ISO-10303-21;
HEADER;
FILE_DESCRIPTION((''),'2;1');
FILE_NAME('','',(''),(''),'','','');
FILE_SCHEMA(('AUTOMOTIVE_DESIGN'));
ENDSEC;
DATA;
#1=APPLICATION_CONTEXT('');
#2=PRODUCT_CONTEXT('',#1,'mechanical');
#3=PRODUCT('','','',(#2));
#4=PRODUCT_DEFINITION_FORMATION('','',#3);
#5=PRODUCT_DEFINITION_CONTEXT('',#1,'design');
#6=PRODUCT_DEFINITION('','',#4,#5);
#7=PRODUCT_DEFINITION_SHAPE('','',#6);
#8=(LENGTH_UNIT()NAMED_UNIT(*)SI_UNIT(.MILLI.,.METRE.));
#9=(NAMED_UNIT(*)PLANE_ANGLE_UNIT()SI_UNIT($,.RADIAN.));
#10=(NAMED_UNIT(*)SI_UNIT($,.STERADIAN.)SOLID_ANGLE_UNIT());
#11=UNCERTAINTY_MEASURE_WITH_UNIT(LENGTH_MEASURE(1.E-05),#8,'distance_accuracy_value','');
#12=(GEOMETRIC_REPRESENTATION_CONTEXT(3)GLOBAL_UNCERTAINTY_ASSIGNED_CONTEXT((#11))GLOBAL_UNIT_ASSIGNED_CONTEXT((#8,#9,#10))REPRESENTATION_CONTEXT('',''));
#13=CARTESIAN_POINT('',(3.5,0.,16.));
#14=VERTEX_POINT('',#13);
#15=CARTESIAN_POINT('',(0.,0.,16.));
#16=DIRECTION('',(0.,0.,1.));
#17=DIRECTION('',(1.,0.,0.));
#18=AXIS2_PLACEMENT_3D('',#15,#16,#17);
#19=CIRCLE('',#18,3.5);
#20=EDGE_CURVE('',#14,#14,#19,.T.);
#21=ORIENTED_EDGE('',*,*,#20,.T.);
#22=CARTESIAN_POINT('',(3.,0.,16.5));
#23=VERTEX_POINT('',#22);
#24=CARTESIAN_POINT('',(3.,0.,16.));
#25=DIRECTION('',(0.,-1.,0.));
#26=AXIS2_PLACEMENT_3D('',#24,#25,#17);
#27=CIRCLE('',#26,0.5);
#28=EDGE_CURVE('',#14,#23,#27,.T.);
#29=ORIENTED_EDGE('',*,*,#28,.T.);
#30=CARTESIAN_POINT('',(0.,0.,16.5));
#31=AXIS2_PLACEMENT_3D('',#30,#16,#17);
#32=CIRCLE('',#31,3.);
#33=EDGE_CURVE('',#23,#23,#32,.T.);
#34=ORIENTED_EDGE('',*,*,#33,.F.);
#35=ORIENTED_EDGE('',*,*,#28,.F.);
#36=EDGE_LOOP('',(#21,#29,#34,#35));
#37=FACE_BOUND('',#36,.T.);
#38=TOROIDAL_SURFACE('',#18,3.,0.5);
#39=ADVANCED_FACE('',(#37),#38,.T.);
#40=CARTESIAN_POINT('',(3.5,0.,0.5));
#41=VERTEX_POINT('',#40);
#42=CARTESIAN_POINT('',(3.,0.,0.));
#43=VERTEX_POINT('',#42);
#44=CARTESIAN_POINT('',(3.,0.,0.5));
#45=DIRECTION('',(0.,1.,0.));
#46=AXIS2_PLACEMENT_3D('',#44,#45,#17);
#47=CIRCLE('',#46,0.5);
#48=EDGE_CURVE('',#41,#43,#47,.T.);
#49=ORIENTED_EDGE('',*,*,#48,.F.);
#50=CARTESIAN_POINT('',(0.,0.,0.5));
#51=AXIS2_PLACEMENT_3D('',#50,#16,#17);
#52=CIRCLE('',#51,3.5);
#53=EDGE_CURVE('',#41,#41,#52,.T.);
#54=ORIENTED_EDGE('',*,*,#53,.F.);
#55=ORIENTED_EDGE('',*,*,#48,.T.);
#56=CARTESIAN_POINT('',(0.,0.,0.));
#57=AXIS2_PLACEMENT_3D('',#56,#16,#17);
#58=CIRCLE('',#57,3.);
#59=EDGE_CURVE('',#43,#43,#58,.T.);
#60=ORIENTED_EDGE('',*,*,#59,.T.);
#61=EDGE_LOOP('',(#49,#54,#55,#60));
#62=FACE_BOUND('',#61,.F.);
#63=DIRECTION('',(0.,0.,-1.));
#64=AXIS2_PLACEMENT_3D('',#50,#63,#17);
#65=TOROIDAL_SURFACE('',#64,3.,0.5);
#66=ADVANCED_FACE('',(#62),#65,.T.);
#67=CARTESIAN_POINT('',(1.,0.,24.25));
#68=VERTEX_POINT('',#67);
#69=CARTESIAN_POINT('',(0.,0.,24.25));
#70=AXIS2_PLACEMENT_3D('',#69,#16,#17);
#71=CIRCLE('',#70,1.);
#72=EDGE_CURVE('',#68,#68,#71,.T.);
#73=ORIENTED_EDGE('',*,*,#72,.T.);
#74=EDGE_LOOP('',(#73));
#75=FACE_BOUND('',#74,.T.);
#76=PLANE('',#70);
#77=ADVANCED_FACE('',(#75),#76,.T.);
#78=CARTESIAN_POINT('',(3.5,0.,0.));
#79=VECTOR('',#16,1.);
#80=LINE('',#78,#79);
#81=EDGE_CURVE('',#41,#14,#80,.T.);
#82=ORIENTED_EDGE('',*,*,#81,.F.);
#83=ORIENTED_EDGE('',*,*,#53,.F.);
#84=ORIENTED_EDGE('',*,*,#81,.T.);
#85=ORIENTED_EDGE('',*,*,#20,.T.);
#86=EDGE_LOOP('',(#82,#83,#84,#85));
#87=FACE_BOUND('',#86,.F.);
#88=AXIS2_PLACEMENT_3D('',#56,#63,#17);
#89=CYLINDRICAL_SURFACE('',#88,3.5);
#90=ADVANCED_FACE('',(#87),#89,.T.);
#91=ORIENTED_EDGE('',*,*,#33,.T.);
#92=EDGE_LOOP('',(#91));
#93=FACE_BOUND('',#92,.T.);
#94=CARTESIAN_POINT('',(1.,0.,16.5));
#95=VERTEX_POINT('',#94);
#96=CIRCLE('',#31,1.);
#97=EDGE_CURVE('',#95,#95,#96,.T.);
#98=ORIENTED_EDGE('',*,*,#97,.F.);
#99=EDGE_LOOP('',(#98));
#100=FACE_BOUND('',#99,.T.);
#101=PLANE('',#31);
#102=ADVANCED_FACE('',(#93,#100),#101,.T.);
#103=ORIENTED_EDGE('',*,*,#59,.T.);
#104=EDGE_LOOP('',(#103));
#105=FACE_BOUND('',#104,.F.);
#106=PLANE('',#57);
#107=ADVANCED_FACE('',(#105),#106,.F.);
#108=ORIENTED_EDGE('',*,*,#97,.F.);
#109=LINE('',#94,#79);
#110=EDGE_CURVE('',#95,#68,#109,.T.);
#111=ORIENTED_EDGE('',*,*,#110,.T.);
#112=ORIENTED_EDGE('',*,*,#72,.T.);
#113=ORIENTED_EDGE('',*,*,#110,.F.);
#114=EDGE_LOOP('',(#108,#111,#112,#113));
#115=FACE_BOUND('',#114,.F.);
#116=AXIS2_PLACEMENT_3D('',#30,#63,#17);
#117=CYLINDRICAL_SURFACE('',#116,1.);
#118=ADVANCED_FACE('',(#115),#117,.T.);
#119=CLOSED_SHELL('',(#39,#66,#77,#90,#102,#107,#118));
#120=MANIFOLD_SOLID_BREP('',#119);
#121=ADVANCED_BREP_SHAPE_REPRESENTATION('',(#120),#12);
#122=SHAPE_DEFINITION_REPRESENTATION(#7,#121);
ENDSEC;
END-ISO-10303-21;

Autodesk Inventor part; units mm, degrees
ref_plane "YZ Plane" through (0, 0, 0) normal (1, 0, 0) x (0, 1, 0)
ref_plane "XZ Plane" through (0, 0, 0) normal (0, 1, 0) x (-1, 0, 0)
ref_plane "XY Plane" through (0, 0, 0) normal (0, 0, 1) x (1, 0, 0)
sketch "Skizze1" plane through (0, 0, 0) normal (0, 0, 1) x (1, 0, 0)
  circle A0 centre (0, 0) radius 3.5
  dimension "d0" = 7
extrude "Extrusion1" add sketch "Skizze1" along normal blind 16.5
sketch "Skizze2" plane through (0, 0, 16.5) normal (0, 0, 1) x (1, 0, 0)
  circle A0 centre (0, 0) radius 1
  dimension "d3" = 2
extrude "Extrusion2" add sketch "Skizze2" along normal blind 7.75
fillet "Rundung1" radius 0.5 2 edges at (-3.5, 0, 16.5) (-3.5, 0, 0)
properties part number "P_Motor"
